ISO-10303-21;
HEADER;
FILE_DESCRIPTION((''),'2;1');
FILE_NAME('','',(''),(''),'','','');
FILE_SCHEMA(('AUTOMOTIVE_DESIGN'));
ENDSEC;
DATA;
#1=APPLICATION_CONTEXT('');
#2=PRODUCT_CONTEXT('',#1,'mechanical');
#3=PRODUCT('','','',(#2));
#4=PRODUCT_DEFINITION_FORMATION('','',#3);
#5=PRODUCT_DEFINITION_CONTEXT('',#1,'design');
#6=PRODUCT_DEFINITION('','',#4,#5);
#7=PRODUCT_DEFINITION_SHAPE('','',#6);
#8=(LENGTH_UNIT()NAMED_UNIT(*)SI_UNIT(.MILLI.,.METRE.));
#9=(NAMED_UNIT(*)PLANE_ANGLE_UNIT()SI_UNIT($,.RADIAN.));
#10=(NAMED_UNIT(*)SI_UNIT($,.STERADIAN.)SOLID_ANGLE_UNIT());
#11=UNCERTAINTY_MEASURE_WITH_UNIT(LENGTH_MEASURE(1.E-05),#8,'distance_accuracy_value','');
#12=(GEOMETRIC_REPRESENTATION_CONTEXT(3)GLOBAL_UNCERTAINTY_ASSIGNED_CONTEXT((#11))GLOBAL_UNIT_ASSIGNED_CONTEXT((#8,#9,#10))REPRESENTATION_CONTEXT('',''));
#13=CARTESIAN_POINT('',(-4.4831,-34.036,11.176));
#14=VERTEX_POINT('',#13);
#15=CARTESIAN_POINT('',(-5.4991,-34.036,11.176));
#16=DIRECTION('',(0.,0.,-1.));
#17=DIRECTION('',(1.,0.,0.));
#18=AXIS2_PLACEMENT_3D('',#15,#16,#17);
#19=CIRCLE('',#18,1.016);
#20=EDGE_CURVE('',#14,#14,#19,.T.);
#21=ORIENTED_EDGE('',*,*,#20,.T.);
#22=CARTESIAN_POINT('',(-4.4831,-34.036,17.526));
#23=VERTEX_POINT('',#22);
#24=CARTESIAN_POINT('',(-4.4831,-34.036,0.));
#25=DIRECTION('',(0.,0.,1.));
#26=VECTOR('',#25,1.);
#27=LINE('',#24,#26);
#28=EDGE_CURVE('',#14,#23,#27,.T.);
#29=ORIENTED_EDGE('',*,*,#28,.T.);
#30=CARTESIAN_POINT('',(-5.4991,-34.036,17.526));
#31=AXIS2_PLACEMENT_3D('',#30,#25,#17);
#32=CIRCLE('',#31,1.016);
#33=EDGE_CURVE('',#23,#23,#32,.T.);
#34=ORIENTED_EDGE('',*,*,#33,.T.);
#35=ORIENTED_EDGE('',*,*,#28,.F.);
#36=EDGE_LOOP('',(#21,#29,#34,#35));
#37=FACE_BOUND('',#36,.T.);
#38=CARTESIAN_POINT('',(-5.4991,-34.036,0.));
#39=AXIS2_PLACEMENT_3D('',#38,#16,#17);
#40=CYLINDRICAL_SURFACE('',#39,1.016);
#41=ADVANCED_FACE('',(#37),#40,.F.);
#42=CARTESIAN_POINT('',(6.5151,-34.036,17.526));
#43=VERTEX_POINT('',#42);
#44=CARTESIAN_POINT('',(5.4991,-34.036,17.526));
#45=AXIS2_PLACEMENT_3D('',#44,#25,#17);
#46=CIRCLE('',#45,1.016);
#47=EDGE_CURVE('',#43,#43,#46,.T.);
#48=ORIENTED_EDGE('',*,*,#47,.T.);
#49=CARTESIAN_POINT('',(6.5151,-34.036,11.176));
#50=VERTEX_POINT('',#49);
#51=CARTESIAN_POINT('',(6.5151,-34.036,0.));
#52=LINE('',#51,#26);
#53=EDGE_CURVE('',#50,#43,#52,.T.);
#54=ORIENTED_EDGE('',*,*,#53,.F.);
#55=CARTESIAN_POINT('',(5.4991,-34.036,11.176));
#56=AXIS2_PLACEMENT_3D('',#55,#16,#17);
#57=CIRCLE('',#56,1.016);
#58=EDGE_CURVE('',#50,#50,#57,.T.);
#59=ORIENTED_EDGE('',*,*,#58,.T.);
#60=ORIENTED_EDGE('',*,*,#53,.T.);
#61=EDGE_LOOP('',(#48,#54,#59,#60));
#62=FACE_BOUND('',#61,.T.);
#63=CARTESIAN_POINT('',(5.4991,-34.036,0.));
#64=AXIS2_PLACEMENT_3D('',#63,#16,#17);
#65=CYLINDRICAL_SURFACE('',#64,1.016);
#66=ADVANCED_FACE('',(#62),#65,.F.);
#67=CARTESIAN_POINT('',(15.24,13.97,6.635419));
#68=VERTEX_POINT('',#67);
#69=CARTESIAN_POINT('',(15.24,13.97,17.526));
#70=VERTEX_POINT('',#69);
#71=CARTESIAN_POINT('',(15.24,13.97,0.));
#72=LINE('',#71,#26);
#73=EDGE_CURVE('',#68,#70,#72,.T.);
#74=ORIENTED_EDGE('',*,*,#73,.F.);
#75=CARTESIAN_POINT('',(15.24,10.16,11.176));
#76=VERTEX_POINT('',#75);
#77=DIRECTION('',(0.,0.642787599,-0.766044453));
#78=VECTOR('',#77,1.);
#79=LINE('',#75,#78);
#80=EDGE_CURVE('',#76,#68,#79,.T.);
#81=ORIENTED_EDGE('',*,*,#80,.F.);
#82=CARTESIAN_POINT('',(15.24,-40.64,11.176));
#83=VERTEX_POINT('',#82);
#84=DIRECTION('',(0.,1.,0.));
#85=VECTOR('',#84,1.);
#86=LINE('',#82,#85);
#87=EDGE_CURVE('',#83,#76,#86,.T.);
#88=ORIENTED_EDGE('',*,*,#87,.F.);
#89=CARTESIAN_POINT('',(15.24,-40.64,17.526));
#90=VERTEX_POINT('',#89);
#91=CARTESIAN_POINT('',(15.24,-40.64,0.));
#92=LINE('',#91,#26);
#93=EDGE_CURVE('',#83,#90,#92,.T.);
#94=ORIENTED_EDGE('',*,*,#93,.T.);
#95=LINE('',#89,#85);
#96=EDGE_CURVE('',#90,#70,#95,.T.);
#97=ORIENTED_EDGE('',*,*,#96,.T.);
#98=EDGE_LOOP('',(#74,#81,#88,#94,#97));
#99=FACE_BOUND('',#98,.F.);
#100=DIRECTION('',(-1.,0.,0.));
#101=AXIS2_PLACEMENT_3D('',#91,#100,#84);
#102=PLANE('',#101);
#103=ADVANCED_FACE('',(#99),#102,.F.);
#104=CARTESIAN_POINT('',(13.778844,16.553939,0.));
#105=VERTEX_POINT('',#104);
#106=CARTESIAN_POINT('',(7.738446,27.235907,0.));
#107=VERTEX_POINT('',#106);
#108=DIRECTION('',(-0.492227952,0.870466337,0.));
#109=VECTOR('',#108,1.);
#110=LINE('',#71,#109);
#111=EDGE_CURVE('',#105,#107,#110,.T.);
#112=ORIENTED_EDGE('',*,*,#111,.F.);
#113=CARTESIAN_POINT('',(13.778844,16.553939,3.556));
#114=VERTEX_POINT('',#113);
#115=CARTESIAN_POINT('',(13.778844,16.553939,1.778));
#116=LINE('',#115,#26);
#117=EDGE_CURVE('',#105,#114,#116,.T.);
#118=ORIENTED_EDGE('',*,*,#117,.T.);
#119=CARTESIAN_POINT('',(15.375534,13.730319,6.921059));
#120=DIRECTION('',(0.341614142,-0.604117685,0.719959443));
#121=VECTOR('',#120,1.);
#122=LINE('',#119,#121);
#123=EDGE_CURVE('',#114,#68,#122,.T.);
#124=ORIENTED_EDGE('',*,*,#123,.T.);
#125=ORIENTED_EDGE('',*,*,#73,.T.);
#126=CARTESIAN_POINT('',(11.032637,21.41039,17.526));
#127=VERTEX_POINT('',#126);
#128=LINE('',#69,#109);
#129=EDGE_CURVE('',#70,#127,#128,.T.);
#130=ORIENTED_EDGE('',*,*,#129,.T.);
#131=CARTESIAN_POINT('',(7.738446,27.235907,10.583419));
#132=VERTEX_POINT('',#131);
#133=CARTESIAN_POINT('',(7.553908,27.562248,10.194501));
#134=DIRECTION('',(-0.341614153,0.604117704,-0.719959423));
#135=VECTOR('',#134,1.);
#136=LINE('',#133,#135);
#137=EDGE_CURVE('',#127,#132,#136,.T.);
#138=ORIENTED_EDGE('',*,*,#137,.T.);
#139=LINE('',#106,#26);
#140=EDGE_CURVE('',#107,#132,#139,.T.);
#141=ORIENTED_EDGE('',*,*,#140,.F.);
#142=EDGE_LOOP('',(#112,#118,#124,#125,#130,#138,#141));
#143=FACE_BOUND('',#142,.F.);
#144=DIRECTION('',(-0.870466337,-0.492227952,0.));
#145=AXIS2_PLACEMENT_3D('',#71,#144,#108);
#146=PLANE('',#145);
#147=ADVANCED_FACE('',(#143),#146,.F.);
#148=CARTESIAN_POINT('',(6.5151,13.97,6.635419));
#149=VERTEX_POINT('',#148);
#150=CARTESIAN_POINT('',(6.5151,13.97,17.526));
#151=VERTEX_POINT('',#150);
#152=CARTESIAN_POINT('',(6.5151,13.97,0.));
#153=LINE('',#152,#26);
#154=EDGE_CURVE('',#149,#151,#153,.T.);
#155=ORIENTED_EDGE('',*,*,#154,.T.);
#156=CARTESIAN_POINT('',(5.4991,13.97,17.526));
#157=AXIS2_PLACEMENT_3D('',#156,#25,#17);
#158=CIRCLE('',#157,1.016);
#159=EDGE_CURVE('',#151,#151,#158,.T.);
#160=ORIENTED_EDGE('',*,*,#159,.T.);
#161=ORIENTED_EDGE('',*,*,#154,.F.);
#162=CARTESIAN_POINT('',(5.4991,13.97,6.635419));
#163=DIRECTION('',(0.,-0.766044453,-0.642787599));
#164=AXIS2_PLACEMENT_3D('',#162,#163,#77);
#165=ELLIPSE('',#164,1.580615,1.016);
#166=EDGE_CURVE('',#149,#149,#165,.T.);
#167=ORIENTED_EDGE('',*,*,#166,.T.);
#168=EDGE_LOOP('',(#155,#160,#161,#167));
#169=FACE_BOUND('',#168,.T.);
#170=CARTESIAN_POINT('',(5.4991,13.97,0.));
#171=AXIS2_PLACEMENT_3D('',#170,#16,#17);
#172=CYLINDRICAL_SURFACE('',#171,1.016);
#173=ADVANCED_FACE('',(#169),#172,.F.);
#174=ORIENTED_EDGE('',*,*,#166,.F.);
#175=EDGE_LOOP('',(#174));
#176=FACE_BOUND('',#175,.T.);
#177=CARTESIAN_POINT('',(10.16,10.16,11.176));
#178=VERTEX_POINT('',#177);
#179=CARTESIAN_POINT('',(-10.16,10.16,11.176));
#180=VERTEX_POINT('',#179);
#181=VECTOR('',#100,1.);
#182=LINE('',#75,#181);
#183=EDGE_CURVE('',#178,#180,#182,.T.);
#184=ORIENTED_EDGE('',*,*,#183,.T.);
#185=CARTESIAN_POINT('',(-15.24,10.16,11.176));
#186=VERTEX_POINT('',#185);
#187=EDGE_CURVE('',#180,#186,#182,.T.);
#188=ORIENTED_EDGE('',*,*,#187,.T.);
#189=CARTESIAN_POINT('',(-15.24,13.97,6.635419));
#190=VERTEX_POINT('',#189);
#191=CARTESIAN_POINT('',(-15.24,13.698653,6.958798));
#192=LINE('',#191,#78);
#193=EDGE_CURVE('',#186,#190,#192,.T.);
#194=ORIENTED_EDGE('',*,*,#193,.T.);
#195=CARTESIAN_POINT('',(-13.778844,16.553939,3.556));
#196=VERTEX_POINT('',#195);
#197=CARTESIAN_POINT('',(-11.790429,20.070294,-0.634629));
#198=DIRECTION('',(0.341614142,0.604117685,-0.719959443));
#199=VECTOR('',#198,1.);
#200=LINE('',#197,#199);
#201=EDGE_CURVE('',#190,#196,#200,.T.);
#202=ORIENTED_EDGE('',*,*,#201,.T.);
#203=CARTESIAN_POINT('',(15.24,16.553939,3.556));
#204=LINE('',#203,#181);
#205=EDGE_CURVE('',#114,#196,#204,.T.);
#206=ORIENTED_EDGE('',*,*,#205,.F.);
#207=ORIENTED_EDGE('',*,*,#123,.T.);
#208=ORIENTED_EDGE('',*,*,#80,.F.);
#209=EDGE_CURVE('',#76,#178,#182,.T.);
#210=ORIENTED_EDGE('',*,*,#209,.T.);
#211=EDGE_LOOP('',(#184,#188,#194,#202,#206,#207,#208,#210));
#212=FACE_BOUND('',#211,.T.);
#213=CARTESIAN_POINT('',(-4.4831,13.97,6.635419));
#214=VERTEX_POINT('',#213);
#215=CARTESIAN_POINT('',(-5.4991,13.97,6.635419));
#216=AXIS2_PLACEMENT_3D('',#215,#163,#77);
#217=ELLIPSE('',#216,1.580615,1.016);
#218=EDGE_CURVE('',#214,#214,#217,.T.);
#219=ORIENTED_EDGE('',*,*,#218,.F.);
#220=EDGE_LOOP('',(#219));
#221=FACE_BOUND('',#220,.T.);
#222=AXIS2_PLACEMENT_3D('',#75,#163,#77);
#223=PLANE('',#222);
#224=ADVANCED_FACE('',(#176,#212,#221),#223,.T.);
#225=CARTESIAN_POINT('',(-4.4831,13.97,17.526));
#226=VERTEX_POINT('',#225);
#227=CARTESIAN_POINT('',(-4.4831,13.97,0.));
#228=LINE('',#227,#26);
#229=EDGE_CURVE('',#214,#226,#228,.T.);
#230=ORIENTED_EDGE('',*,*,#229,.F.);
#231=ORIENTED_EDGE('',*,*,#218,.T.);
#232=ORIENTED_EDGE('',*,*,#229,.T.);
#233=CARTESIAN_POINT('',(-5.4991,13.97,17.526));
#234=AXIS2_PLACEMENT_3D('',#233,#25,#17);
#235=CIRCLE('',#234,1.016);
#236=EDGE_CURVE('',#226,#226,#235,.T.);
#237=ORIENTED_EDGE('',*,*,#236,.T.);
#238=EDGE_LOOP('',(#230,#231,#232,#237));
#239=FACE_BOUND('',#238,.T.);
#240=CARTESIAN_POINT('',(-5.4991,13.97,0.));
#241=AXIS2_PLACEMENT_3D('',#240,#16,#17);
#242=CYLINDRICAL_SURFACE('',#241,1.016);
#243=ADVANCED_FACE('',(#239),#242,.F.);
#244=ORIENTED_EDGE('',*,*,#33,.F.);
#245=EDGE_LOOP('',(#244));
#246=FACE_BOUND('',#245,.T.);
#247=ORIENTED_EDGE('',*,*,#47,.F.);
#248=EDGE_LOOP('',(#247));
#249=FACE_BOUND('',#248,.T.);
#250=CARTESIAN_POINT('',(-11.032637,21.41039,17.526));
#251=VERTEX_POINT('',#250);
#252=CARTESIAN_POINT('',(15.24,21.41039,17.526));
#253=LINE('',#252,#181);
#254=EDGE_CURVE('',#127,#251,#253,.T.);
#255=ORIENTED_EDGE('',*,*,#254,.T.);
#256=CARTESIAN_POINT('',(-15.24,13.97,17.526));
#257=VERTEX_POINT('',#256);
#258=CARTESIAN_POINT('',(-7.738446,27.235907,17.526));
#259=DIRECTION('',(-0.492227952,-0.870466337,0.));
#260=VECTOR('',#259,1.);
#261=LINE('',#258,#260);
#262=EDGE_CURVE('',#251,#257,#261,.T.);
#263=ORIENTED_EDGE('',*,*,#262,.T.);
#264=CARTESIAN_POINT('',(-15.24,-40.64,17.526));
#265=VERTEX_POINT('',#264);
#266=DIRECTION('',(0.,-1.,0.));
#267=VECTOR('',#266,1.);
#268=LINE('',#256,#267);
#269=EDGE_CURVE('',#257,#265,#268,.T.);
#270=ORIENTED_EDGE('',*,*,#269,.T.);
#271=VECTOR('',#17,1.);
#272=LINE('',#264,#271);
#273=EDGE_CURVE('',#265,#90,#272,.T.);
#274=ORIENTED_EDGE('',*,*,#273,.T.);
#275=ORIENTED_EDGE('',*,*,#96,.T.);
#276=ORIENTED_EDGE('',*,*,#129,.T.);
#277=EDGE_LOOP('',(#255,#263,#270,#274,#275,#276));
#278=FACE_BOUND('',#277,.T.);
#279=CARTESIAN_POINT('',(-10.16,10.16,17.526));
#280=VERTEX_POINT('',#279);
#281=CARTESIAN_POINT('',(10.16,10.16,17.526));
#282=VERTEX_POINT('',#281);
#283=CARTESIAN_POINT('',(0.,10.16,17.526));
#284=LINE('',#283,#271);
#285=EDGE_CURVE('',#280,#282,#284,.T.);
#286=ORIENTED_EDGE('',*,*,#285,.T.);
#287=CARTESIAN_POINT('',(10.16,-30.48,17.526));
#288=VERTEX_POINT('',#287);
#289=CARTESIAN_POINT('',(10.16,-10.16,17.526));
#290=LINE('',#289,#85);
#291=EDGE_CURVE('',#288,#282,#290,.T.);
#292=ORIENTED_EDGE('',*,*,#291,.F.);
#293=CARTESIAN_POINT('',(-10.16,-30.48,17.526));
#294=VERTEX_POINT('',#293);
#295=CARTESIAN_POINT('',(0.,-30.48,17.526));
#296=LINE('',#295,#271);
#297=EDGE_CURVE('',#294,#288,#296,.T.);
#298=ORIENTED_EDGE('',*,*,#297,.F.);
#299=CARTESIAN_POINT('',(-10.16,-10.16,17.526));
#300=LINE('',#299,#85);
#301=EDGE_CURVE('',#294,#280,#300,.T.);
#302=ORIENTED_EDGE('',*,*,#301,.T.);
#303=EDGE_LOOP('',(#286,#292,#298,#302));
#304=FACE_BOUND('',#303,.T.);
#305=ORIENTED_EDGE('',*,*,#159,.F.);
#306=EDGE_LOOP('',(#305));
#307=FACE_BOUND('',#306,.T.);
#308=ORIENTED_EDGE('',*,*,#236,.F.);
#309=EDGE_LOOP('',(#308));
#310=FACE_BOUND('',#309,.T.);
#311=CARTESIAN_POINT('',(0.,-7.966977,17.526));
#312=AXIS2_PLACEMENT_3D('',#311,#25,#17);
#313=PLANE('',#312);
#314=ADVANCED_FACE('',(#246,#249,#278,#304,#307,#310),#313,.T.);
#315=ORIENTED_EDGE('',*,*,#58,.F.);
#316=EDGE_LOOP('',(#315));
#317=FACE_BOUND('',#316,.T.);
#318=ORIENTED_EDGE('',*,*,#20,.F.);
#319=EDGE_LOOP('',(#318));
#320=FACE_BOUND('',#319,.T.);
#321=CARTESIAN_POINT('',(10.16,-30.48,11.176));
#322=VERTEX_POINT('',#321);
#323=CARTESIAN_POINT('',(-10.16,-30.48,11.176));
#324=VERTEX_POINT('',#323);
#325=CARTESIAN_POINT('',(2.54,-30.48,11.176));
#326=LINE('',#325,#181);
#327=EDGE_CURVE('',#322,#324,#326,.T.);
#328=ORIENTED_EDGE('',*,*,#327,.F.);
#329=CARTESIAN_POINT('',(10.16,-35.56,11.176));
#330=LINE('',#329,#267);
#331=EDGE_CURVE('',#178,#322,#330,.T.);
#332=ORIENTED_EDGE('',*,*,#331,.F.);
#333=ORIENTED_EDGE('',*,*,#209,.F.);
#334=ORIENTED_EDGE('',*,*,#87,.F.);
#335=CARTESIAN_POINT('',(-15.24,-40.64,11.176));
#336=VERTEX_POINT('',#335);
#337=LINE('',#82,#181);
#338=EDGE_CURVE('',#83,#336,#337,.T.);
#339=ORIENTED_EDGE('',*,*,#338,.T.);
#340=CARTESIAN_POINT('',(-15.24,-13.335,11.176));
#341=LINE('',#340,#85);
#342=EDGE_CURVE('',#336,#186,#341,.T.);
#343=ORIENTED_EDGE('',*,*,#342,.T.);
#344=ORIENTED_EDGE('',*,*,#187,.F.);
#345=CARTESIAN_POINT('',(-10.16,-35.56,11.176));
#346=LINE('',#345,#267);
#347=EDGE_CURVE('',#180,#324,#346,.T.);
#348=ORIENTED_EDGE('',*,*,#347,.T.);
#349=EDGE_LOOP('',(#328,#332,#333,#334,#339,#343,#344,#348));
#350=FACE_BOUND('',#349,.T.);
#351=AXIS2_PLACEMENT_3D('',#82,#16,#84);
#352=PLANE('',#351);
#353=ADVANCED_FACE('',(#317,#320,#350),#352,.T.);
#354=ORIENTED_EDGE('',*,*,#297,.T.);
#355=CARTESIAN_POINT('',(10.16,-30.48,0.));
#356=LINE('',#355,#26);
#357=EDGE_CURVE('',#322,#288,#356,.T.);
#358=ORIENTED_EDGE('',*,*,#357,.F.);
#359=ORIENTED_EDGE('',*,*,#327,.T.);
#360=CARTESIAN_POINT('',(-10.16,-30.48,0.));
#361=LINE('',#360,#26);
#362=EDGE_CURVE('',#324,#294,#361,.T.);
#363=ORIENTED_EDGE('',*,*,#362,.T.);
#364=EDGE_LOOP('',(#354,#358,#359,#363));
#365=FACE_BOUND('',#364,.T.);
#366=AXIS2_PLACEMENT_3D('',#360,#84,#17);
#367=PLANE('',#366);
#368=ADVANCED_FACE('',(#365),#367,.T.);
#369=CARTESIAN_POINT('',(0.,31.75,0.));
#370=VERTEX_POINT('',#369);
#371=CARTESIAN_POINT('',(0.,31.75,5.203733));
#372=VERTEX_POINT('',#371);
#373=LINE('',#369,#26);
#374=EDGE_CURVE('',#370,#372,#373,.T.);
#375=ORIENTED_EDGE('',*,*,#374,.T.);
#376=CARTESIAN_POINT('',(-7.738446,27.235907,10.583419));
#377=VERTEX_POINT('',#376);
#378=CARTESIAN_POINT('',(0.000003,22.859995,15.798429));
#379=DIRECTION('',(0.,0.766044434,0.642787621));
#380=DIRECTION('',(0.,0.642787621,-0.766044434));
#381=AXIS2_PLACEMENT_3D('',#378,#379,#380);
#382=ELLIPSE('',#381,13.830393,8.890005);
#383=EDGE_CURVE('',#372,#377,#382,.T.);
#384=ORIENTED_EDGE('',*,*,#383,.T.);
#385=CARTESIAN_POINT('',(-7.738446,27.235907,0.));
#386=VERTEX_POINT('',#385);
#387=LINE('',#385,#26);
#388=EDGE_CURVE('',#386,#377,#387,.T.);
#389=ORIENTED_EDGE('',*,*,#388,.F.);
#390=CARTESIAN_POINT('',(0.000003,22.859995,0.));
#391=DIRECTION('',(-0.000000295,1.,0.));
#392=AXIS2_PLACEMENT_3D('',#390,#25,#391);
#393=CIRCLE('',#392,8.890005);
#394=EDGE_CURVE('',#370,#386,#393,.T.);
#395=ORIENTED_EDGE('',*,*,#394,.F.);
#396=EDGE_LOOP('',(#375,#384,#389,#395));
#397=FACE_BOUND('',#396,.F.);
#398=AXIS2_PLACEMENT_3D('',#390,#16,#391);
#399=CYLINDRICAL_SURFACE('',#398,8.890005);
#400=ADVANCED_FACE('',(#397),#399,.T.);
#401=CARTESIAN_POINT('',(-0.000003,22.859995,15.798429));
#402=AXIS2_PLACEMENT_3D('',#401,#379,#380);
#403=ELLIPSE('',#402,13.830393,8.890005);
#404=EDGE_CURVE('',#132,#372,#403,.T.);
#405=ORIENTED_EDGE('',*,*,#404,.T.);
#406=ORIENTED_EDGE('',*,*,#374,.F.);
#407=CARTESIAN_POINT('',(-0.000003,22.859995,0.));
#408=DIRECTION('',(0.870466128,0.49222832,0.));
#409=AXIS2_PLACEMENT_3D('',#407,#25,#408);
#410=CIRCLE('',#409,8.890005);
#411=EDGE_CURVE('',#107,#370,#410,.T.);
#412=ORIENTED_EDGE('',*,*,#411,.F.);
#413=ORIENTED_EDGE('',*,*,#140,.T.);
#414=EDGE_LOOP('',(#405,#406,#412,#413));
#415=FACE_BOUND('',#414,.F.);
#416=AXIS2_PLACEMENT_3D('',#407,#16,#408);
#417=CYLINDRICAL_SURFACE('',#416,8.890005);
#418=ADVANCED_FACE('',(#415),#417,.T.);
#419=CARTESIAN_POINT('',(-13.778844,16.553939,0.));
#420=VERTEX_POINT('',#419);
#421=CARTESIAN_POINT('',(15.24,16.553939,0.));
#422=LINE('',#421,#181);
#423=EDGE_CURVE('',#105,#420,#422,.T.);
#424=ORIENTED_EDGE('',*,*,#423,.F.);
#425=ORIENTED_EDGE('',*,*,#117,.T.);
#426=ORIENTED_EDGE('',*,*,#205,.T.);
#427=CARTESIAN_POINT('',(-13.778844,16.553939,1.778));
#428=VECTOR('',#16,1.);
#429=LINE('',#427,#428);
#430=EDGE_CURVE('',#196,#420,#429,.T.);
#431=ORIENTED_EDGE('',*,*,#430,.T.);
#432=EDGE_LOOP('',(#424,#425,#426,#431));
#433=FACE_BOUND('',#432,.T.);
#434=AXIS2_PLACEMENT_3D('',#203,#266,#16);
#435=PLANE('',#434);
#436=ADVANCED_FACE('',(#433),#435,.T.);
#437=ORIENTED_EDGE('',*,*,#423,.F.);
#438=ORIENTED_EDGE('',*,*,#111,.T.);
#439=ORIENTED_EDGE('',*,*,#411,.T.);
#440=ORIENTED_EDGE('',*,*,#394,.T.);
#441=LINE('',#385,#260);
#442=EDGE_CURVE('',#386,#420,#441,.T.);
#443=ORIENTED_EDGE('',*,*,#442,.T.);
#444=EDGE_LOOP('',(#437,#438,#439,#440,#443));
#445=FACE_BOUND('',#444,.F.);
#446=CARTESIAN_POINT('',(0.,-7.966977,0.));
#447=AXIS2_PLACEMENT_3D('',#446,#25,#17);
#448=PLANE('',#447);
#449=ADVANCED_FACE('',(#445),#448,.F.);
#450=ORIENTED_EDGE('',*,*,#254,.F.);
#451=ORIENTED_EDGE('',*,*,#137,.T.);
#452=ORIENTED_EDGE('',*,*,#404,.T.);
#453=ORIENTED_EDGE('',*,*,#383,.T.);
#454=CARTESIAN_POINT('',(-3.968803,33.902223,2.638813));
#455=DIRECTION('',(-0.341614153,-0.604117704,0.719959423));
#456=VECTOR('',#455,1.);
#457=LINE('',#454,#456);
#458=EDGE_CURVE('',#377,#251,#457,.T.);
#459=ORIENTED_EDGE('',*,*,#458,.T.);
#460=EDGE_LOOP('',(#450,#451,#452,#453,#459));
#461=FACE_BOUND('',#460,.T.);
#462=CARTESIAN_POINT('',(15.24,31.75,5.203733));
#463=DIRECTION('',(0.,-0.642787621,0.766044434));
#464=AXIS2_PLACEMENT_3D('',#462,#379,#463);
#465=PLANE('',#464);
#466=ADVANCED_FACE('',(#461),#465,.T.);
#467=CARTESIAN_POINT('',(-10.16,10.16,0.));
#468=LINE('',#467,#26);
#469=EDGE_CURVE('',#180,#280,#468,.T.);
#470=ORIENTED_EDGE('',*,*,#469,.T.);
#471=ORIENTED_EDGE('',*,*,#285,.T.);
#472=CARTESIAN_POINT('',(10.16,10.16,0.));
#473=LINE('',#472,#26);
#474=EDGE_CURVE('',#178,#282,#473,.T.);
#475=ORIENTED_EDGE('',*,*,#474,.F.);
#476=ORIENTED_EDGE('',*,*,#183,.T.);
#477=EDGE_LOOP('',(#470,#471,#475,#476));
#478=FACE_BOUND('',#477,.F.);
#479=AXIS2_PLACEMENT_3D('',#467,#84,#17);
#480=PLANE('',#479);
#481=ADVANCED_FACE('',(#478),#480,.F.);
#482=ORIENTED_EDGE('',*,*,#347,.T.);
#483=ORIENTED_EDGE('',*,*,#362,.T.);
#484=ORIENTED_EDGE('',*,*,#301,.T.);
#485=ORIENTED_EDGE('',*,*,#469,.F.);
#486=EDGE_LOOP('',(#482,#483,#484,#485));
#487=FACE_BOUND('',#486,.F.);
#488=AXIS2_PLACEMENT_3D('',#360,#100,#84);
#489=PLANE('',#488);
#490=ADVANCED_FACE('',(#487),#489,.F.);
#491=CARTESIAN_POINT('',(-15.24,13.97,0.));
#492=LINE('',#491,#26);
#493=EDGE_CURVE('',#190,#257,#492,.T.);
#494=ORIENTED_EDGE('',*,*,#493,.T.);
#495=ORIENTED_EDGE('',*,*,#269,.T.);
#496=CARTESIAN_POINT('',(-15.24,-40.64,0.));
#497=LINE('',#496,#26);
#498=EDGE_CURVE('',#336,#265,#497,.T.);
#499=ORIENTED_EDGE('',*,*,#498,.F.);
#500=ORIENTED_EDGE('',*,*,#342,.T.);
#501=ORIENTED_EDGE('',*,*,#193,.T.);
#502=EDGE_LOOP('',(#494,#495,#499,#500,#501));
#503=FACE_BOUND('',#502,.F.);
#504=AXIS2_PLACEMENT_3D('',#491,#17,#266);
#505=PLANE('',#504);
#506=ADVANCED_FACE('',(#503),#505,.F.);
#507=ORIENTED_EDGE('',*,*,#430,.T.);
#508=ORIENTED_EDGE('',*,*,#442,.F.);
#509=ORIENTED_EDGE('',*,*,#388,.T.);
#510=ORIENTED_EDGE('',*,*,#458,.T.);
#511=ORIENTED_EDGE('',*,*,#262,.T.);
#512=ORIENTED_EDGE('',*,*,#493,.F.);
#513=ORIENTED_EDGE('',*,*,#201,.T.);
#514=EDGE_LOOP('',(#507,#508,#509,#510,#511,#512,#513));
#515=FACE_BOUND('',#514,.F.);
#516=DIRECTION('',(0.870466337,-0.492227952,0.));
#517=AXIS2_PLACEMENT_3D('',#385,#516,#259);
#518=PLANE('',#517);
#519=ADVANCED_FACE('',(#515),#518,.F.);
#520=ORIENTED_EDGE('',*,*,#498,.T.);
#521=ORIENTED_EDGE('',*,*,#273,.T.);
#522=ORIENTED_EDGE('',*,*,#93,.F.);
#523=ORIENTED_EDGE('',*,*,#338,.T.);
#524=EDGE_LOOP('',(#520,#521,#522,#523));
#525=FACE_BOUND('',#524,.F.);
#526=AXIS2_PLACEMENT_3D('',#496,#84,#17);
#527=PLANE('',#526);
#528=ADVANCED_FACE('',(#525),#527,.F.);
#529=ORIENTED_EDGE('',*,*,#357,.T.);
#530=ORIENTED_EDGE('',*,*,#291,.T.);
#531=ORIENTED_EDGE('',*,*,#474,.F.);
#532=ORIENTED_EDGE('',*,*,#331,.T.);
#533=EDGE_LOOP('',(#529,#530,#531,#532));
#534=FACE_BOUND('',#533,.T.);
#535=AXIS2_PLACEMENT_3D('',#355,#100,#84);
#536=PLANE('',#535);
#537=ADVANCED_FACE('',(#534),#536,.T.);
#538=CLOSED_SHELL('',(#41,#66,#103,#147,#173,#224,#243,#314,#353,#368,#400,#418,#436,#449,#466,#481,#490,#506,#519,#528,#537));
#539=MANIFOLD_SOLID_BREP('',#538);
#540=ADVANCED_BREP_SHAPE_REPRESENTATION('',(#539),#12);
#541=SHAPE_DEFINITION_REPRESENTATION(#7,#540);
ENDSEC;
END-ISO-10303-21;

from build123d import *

# Parameters (mm, degrees)
F0_R     = 1.016
F0_W     = 20.32
F0_H     = 40.64
F1_DEPTH = 17.526
F3_DEPTH = 30.481


with BuildPart() as f1:
    # F0 (on Top) → F1 (new body)
    with BuildSketch(Plane.XY):
        with BuildLine():
            Line((-7.738446, 27.235907), (-15.24, 13.97))
            Line((-15.24, 13.97), (-15.24, -40.64))
            Line((-15.24, -40.64), (15.24, -40.64))
            Line((15.24, -40.64), (15.24, 13.97))
            Line((15.24, 13.97), (7.738446, 27.235907))
            ThreePointArc((7.738446, 27.235907), (4.479413, 30.538994), (0, 31.75))
            ThreePointArc((0, 31.75), (-4.479413, 30.538994), (-7.738446, 27.235907))
        make_face()
        with Locations((-5.4991, -34.036)):
            Circle(F0_R, mode=Mode.SUBTRACT)
        with Locations((5.4991, -34.036)):
            Circle(F0_R, mode=Mode.SUBTRACT)
        with Locations((0, -10.16)):
            Rectangle(F0_W, F0_H, mode=Mode.SUBTRACT)
        with Locations((-5.4991, 13.97)):
            Circle(F0_R, mode=Mode.SUBTRACT)
        with Locations((5.4991, 13.97)):
            Circle(F0_R, mode=Mode.SUBTRACT)
    extrude(amount=F1_DEPTH)

    # F2 (on face) → F3 (intersect, through all)
    with BuildSketch(Plane.YZ.offset(15.24)):
        Polygon((21.41039, 17.526), (-40.64, 17.526), (-40.64, 11.176), (10.16, 11.176), (16.553939, 3.556), (16.553939, 0), (31.75, 0), (31.75, 5.203733), align=None)
    extrude(amount=-F3_DEPTH, mode=Mode.INTERSECT)


solid = f1.part
